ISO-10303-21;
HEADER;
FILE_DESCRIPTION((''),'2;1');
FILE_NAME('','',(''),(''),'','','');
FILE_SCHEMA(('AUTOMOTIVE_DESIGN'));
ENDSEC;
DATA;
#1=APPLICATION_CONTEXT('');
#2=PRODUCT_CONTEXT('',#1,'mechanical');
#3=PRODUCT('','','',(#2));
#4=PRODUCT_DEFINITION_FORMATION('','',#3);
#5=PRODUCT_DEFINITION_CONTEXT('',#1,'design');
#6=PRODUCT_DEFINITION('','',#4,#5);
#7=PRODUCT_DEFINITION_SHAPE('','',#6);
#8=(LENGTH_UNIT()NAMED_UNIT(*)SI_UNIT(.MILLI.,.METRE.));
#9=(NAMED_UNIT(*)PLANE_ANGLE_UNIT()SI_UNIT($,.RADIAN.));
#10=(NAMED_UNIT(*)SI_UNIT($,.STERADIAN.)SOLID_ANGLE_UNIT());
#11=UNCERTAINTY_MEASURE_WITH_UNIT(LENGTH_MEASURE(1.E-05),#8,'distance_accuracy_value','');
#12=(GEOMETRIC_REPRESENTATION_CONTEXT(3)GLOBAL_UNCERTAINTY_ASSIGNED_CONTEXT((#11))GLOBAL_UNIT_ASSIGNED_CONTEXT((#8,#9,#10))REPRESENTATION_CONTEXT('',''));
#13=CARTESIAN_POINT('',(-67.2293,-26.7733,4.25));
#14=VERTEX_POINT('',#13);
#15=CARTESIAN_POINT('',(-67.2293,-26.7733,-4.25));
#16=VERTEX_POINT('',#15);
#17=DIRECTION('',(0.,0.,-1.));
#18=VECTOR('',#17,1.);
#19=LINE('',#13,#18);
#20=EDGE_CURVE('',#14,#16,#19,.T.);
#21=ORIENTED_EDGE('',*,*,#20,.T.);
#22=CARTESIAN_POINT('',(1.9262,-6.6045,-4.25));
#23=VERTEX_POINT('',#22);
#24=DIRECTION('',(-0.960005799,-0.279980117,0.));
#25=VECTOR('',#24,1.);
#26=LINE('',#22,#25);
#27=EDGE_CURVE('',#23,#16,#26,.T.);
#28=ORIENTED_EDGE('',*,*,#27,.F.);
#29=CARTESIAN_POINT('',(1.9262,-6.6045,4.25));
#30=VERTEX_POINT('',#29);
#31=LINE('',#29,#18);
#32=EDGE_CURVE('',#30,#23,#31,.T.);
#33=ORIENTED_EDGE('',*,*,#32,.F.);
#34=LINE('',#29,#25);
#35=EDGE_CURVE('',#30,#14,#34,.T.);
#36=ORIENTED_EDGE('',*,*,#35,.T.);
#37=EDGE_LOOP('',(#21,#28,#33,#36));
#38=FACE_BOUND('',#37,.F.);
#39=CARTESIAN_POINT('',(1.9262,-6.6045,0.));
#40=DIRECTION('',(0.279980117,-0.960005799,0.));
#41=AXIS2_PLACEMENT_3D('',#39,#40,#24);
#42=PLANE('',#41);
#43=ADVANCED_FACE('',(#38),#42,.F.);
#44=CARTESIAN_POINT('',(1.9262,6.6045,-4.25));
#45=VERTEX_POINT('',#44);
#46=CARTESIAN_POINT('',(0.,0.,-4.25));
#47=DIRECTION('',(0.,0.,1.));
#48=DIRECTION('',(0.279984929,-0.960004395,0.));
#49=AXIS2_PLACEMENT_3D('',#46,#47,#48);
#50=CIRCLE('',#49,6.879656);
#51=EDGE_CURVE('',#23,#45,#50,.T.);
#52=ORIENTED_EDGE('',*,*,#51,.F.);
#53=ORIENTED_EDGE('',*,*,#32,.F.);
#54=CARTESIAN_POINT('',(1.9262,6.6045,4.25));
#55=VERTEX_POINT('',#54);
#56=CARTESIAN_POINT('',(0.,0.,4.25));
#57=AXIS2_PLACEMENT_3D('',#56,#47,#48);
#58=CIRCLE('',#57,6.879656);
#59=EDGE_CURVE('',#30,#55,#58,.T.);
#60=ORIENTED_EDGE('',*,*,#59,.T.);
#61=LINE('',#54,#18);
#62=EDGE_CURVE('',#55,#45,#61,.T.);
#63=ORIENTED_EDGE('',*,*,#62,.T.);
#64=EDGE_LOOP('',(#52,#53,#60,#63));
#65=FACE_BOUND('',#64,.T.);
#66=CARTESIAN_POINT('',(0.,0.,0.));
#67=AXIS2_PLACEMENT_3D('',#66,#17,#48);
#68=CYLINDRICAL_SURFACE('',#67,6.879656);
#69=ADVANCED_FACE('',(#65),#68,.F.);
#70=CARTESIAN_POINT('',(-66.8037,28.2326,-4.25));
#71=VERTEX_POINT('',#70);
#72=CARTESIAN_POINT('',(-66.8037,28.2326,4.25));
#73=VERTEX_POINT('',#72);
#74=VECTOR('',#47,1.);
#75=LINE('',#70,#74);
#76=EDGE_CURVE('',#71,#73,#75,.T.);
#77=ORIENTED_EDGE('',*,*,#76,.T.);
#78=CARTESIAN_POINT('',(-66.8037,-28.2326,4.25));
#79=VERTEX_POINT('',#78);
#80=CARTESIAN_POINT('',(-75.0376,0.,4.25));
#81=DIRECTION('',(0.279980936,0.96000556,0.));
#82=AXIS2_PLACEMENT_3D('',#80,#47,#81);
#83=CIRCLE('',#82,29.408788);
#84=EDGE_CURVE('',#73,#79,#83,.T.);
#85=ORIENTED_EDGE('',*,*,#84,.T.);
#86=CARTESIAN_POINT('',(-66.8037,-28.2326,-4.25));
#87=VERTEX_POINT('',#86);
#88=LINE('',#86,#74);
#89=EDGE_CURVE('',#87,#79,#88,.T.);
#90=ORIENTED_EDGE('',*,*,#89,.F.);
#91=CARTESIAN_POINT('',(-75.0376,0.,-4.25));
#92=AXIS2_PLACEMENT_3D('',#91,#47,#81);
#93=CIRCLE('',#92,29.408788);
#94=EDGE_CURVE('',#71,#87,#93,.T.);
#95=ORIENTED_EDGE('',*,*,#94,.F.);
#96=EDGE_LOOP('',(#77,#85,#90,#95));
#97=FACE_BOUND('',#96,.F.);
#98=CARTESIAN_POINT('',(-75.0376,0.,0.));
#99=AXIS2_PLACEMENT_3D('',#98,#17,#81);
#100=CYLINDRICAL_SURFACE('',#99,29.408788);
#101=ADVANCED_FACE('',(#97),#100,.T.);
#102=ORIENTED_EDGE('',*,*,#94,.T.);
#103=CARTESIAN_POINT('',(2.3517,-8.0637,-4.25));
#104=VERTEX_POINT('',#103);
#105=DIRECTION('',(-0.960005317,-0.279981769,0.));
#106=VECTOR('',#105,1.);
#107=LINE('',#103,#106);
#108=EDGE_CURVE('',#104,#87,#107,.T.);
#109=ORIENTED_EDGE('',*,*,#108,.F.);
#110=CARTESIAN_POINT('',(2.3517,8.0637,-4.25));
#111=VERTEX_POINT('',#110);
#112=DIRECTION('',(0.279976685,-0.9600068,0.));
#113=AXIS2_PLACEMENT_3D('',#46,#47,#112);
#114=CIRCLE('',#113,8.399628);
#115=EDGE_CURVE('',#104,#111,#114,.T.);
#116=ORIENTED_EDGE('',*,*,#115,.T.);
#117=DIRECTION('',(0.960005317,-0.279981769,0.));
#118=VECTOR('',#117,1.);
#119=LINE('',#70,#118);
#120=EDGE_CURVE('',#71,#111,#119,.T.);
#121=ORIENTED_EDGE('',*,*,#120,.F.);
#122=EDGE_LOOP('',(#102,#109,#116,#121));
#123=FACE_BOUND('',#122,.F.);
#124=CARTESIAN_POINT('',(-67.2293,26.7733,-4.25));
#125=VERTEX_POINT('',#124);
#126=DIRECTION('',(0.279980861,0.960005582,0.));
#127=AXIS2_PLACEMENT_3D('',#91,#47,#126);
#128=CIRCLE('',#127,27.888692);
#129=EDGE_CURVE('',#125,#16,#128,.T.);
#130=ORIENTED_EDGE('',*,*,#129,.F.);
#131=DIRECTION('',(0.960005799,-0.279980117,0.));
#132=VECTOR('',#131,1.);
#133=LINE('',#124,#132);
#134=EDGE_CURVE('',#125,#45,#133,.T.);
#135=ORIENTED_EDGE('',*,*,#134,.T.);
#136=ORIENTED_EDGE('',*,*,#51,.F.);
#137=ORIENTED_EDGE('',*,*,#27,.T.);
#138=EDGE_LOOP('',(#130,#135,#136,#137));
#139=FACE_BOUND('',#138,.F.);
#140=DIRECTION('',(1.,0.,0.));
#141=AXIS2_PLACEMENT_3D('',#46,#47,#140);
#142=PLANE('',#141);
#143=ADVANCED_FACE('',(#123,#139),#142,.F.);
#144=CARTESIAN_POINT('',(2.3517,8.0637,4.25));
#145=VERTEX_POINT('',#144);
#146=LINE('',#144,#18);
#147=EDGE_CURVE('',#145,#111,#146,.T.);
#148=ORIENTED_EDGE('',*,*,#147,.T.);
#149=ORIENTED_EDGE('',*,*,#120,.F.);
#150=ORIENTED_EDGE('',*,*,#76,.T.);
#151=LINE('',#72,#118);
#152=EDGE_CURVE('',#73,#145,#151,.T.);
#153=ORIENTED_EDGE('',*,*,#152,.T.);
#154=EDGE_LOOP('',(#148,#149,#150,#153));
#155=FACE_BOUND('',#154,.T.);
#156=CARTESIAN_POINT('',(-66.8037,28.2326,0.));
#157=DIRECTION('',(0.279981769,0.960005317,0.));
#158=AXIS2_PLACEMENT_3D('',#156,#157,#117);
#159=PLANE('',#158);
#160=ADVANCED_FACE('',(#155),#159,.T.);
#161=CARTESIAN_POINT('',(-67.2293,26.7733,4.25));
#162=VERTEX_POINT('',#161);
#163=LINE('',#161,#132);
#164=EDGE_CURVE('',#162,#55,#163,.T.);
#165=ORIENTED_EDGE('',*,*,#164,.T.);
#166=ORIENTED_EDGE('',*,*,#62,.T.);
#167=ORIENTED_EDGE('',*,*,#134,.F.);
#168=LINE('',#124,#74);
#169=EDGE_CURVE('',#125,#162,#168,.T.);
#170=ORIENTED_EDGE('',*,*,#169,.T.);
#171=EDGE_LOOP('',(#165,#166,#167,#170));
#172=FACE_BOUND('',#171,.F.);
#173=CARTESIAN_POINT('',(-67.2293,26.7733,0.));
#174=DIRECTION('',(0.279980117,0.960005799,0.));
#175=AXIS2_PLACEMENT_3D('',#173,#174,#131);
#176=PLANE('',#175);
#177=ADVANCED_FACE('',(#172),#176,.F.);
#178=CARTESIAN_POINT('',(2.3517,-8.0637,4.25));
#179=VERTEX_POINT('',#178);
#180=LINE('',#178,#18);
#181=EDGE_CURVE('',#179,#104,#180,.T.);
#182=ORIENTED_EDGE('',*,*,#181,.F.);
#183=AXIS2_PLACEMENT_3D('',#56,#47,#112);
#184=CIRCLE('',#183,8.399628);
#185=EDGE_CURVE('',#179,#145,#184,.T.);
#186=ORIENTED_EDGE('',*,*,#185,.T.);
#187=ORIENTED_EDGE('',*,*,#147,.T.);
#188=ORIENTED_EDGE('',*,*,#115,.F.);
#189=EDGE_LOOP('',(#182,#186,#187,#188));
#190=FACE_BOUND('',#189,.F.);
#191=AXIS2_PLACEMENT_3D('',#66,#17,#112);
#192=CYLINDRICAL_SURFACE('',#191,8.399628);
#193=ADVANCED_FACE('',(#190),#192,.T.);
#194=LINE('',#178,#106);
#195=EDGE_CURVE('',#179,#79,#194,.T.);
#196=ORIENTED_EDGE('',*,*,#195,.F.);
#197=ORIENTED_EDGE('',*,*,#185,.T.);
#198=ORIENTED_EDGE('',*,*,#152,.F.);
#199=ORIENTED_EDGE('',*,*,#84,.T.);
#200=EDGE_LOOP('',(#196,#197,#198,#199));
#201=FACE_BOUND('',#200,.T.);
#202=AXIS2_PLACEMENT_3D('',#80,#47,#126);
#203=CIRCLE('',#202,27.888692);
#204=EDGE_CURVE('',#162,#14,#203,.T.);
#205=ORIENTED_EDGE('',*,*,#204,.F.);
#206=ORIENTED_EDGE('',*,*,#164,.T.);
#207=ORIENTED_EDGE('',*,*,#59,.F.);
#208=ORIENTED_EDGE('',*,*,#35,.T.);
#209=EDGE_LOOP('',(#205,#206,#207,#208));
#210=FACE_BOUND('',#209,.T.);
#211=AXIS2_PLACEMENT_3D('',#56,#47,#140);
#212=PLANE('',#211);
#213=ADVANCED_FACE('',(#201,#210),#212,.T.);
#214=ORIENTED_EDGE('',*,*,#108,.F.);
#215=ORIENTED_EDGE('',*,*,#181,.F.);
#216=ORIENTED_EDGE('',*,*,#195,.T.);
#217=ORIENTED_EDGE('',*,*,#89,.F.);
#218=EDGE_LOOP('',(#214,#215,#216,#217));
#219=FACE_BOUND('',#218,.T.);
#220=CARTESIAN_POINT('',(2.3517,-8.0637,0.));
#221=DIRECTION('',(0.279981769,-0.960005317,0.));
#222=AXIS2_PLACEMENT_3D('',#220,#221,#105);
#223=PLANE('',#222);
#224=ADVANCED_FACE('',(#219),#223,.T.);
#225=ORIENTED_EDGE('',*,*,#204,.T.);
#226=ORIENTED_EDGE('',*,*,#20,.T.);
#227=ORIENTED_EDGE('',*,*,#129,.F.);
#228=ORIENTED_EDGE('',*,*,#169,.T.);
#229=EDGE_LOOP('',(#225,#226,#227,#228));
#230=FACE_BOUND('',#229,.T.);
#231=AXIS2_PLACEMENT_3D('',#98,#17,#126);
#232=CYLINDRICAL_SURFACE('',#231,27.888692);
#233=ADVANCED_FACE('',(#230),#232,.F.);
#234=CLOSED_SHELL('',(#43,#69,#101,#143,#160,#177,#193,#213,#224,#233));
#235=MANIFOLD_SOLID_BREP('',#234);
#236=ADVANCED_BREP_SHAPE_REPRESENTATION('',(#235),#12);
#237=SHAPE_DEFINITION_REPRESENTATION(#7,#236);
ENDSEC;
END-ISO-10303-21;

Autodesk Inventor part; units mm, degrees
ref_plane "YZ Plane" through (0, 0, 0) normal (1, 0, 0) x (0, 1, 0)
ref_plane "XZ Plane" through (0, 0, 0) normal (0, 1, 0) x (-1, 0, 0)
ref_plane "XY Plane" through (0, 0, 0) normal (0, 0, 1) x (1, 0, 0)
sketch "Sketch1" plane through (0, 0, 0) normal (0, 0, 1) x (1, 0, 0)
  arc A0 (2.139, -7.3341) -> (2.139, 7.3341) centre (0, 0) ccw construction
  arc A1 (-67.0165, 27.5029) -> (-67.0165, -27.5029) centre (-75.0376, 0) ccw construction
  line L0 (2.139, -7.3341) -> (-67.0165, -27.5029) construction
  line L1 (2.139, 7.3341) -> (-67.0165, 27.5029) construction
  dimension "Belt_Teeth" = 90
  dimension "Belt_Pitch2" = 3
  dimension "d0" = 15.2793
  dimension "d1" = 57.2975
  dimension "d2" = 19.6648
  dimension "d3" = 106.2622
  dimension "Center_Distance" = 75.0376
  dimension "d5" = 72.0365
sketch "Sketch2" plane through (0, 0, 0) normal (0, 0, 1) x (1, 0, 0)
  line L0 (35.7235, 34.2567) -> (38.7235, 34.2567)
  point P0 (0, 0)
  dimension "Belt_Pitch2" = 3
sketch "Sketch4" plane through (0, 0, 0) normal (0, 0, 1) x (1, 0, 0)
  line L0 (-16.1422, -21.869) -> (-14.1422, -21.869)
  line L1 (-16.1422, -21.869) -> (-16.1422, -20.349)
  arc A0 (-15.5872, -20.904) -> (-16.1422, -20.349) centre (-16.1422, -20.904) ccw
  line L2 (-15.5872, -20.904) -> (-15.5872, -20.959)
  arc A1 (-15.5872, -20.959) -> (-15.4372, -21.109) centre (-15.4372, -20.959) ccw
  line L3 (-15.4372, -21.109) -> (-14.8472, -21.109)
  line L4 (-14.1422, -21.869) -> (-14.1422, -20.349)
  arc A2 (-14.1422, -20.349) -> (-14.6972, -20.904) centre (-14.1422, -20.904) ccw
  arc A3 (-14.8472, -21.109) -> (-14.6972, -20.959) centre (-14.8472, -20.959) ccw
  line L5 (-14.6972, -20.959) -> (-14.6972, -20.904)
  line L6 (2.139, 7.3341) -> (-67.0165, 27.5029) construction
  arc A4 (-67.0165, 27.5029) -> (-67.0165, -27.5029) centre (-75.0376, 0) ccw construction
  line L7 (2.139, -7.3341) -> (-67.0165, -27.5029) construction
  arc A5 (2.139, -7.3341) -> (2.139, 7.3341) centre (0, 0) ccw construction
  arc A6 (-66.8037, 28.2326) -> (-66.8037, -28.2326) centre (-75.0376, 0) ccw
  line L8 (-66.8037, 28.2326) -> (2.3517, 8.0637)
  arc A7 (2.3517, -8.0637) -> (2.3517, 8.0637) centre (0, 0) ccw
  line L9 (2.3517, -8.0637) -> (-66.8037, -28.2326)
  arc A8 (-67.2293, 26.7733) -> (-67.2293, -26.7733) centre (-75.0376, 0) ccw
  line L10 (-67.2293, 26.7733) -> (1.9262, 6.6045)
  arc A9 (1.9262, -6.6045) -> (1.9262, 6.6045) centre (0, 0) ccw
  line L11 (1.9262, -6.6045) -> (-67.2293, -26.7733)
  point P0 (-15.1422, -21.109)
  point P1 (-15.1422, -21.869)
  dimension "d9" = 2
  dimension "d10" = 1.52
  dimension "d11" = 0.76
  dimension "d12" = 0.555
  dimension "d13" = 0.555
  dimension "d14" = 0.15
  dimension "d15" = 0.15
  dimension "belt_thickness" = 1.52
  dimension "d44" = 0.76
extrude "Extrusion2" add sketch "Sketch4" along normal mid plane 8.5 contours L8 A7 L9 A6
sketch "Sketch5" plane through (0, 0, 4.25) normal (0, 0, 1) x (1, 0, 0)
  line L0 (-67.2293, 26.7733) -> (1.9262, 6.6045) construction
  arc A0 (1.9262, -6.6045) -> (1.9262, 6.6045) centre (0, 0) ccw construction
  line L1 (1.9262, -6.6045) -> (-67.2293, -26.7733) construction
  arc A1 (-67.2293, 26.7733) -> (-67.2293, -26.7733) centre (-75.0376, 0) ccw construction
  arc A2 (-66.8037, 28.2326) -> (-66.8037, -28.2326) centre (-75.0376, 0) ccw construction
  line L2 (-66.8037, -28.2326) -> (2.3517, -8.0637) construction
  arc A3 (2.3517, -8.0637) -> (2.3517, 8.0637) centre (0, 0) ccw construction
  line L3 (2.3517, 8.0637) -> (-66.8037, 28.2326) construction
  line L4 (-7.7556, -2.6989) -> (-5.7556, -2.6989)
  line L5 (-7.7556, -2.6989) -> (-7.7556, -1.1789) construction
  arc A4 (-7.2006, -1.7339) -> (-7.7556, -1.1789) centre (-7.7556, -1.7339) ccw
  line L6 (-7.2006, -1.7339) -> (-7.2006, -1.7889)
  arc A5 (-7.2006, -1.7889) -> (-7.0506, -1.9389) centre (-7.0506, -1.7889) ccw
  line L7 (-7.0506, -1.9389) -> (-6.4606, -1.9389)
  line L8 (-5.7556, -2.6989) -> (-5.7556, -1.1789)
  arc A6 (-5.7556, -1.1789) -> (-6.3106, -1.7339) centre (-5.7556, -1.7339) ccw
  arc A7 (-6.4606, -1.9389) -> (-6.3106, -1.7889) centre (-6.4606, -1.7889) ccw
  line L9 (-6.3106, -1.7889) -> (-6.3106, -1.7339)
  line L10 (-8.3106, -1.7339) -> (-8.3106, -1.7889)
  arc A8 (-7.7556, -1.1789) -> (-8.3106, -1.7339) centre (-7.7556, -1.7339) ccw
  arc A9 (-8.4606, -1.9389) -> (-8.3106, -1.7889) centre (-8.4606, -1.7889) ccw
  line L11 (-8.4606, -1.9389) -> (-9.0506, -1.9389)
  line L12 (-7.7556, -2.6989) -> (-9.7556, -2.6989)
  line L13 (-9.2006, -1.7889) -> (-9.2006, -1.7339)
  arc A10 (-9.2006, -1.7339) -> (-9.7556, -1.1789) centre (-9.7556, -1.7339) ccw
  line L14 (-9.7556, -2.6989) -> (-9.7556, -1.1789)
  arc A11 (-9.2006, -1.7889) -> (-9.0506, -1.9389) centre (-9.0506, -1.7889) ccw
  line L15 (-17.66, -0.8495) -> (-14.922, -0.8495) construction
  line L16 (-14.922, -0.8495) -> (-14.922, -2.3671) construction
  line L17 (-14.922, -2.3671) -> (-17.66, -2.3671) construction
  line L18 (-17.66, -2.3671) -> (-17.66, -0.8495) construction
  arc A12 (-15.6383, -1.7102) -> (-16.7483, -1.7102) centre (-16.1933, -1.7102) ccw construction
  line L19 (-16.7483, -1.7102) -> (-16.7483, -1.7652) construction
  arc A13 (-16.8983, -1.9152) -> (-16.7483, -1.7652) centre (-16.8983, -1.7652) ccw construction
  line L20 (-16.7483, -1.7102) -> (-16.7483, -1.9152) construction
  line L21 (-15.6383, -1.7102) -> (-15.6383, -1.9152) construction
  point P0 (-6.7556, -1.9389)
  point P1 (-6.7556, -2.6989)
  point P2 (-8.7556, -2.6989)
  point P3 (-8.7556, -1.9389)
  dimension "d22" = 2
  dimension "d23" = 1.52
  dimension "d24" = 0.76
  dimension "d25" = 0.555
  dimension "d26" = 0.555
  dimension "d27" = 0.15
  dimension "d28" = 0.15
  dimension "d29" = 0.76
  dimension "d30" = 1
  dimension "d31" = 2
  dimension "d32" = 0.59
  dimension "d34" = 0.555
  dimension "d35" = 0
  dimension "d36" = 0
  dimension "d37" = 0.15
  dimension "d38" = 0.055
  dimension "d39" = 0.055
  dimension "d40" = 0
  dimension "d41" = 0
  dimension "d42" = 0.205
  dimension "d43" = 0.205
equation "\"d13\" = d12"
equation "\"d15\" = d14"
equation "\"d44\" = 0.5 * belt_thickness"
equation "\"d26\" = d25"
equation "\"d28\" = d27"
equation "\"d30\" = 0.5 * d22"
equation "\"d31\" = d22"
equation "\"d43\" = d42"
equation "\"Belt_Teeth\" = 90"
equation "\"Belt_Pitch\" = 3"
equation "\"HTD_5mm\" = 5"
equation "\"GT2_3mm\" = 3"
equation "\"Center_Distance_Copy\" = Center_Distance"
properties part number "GT2-95T" material "Rubber"
